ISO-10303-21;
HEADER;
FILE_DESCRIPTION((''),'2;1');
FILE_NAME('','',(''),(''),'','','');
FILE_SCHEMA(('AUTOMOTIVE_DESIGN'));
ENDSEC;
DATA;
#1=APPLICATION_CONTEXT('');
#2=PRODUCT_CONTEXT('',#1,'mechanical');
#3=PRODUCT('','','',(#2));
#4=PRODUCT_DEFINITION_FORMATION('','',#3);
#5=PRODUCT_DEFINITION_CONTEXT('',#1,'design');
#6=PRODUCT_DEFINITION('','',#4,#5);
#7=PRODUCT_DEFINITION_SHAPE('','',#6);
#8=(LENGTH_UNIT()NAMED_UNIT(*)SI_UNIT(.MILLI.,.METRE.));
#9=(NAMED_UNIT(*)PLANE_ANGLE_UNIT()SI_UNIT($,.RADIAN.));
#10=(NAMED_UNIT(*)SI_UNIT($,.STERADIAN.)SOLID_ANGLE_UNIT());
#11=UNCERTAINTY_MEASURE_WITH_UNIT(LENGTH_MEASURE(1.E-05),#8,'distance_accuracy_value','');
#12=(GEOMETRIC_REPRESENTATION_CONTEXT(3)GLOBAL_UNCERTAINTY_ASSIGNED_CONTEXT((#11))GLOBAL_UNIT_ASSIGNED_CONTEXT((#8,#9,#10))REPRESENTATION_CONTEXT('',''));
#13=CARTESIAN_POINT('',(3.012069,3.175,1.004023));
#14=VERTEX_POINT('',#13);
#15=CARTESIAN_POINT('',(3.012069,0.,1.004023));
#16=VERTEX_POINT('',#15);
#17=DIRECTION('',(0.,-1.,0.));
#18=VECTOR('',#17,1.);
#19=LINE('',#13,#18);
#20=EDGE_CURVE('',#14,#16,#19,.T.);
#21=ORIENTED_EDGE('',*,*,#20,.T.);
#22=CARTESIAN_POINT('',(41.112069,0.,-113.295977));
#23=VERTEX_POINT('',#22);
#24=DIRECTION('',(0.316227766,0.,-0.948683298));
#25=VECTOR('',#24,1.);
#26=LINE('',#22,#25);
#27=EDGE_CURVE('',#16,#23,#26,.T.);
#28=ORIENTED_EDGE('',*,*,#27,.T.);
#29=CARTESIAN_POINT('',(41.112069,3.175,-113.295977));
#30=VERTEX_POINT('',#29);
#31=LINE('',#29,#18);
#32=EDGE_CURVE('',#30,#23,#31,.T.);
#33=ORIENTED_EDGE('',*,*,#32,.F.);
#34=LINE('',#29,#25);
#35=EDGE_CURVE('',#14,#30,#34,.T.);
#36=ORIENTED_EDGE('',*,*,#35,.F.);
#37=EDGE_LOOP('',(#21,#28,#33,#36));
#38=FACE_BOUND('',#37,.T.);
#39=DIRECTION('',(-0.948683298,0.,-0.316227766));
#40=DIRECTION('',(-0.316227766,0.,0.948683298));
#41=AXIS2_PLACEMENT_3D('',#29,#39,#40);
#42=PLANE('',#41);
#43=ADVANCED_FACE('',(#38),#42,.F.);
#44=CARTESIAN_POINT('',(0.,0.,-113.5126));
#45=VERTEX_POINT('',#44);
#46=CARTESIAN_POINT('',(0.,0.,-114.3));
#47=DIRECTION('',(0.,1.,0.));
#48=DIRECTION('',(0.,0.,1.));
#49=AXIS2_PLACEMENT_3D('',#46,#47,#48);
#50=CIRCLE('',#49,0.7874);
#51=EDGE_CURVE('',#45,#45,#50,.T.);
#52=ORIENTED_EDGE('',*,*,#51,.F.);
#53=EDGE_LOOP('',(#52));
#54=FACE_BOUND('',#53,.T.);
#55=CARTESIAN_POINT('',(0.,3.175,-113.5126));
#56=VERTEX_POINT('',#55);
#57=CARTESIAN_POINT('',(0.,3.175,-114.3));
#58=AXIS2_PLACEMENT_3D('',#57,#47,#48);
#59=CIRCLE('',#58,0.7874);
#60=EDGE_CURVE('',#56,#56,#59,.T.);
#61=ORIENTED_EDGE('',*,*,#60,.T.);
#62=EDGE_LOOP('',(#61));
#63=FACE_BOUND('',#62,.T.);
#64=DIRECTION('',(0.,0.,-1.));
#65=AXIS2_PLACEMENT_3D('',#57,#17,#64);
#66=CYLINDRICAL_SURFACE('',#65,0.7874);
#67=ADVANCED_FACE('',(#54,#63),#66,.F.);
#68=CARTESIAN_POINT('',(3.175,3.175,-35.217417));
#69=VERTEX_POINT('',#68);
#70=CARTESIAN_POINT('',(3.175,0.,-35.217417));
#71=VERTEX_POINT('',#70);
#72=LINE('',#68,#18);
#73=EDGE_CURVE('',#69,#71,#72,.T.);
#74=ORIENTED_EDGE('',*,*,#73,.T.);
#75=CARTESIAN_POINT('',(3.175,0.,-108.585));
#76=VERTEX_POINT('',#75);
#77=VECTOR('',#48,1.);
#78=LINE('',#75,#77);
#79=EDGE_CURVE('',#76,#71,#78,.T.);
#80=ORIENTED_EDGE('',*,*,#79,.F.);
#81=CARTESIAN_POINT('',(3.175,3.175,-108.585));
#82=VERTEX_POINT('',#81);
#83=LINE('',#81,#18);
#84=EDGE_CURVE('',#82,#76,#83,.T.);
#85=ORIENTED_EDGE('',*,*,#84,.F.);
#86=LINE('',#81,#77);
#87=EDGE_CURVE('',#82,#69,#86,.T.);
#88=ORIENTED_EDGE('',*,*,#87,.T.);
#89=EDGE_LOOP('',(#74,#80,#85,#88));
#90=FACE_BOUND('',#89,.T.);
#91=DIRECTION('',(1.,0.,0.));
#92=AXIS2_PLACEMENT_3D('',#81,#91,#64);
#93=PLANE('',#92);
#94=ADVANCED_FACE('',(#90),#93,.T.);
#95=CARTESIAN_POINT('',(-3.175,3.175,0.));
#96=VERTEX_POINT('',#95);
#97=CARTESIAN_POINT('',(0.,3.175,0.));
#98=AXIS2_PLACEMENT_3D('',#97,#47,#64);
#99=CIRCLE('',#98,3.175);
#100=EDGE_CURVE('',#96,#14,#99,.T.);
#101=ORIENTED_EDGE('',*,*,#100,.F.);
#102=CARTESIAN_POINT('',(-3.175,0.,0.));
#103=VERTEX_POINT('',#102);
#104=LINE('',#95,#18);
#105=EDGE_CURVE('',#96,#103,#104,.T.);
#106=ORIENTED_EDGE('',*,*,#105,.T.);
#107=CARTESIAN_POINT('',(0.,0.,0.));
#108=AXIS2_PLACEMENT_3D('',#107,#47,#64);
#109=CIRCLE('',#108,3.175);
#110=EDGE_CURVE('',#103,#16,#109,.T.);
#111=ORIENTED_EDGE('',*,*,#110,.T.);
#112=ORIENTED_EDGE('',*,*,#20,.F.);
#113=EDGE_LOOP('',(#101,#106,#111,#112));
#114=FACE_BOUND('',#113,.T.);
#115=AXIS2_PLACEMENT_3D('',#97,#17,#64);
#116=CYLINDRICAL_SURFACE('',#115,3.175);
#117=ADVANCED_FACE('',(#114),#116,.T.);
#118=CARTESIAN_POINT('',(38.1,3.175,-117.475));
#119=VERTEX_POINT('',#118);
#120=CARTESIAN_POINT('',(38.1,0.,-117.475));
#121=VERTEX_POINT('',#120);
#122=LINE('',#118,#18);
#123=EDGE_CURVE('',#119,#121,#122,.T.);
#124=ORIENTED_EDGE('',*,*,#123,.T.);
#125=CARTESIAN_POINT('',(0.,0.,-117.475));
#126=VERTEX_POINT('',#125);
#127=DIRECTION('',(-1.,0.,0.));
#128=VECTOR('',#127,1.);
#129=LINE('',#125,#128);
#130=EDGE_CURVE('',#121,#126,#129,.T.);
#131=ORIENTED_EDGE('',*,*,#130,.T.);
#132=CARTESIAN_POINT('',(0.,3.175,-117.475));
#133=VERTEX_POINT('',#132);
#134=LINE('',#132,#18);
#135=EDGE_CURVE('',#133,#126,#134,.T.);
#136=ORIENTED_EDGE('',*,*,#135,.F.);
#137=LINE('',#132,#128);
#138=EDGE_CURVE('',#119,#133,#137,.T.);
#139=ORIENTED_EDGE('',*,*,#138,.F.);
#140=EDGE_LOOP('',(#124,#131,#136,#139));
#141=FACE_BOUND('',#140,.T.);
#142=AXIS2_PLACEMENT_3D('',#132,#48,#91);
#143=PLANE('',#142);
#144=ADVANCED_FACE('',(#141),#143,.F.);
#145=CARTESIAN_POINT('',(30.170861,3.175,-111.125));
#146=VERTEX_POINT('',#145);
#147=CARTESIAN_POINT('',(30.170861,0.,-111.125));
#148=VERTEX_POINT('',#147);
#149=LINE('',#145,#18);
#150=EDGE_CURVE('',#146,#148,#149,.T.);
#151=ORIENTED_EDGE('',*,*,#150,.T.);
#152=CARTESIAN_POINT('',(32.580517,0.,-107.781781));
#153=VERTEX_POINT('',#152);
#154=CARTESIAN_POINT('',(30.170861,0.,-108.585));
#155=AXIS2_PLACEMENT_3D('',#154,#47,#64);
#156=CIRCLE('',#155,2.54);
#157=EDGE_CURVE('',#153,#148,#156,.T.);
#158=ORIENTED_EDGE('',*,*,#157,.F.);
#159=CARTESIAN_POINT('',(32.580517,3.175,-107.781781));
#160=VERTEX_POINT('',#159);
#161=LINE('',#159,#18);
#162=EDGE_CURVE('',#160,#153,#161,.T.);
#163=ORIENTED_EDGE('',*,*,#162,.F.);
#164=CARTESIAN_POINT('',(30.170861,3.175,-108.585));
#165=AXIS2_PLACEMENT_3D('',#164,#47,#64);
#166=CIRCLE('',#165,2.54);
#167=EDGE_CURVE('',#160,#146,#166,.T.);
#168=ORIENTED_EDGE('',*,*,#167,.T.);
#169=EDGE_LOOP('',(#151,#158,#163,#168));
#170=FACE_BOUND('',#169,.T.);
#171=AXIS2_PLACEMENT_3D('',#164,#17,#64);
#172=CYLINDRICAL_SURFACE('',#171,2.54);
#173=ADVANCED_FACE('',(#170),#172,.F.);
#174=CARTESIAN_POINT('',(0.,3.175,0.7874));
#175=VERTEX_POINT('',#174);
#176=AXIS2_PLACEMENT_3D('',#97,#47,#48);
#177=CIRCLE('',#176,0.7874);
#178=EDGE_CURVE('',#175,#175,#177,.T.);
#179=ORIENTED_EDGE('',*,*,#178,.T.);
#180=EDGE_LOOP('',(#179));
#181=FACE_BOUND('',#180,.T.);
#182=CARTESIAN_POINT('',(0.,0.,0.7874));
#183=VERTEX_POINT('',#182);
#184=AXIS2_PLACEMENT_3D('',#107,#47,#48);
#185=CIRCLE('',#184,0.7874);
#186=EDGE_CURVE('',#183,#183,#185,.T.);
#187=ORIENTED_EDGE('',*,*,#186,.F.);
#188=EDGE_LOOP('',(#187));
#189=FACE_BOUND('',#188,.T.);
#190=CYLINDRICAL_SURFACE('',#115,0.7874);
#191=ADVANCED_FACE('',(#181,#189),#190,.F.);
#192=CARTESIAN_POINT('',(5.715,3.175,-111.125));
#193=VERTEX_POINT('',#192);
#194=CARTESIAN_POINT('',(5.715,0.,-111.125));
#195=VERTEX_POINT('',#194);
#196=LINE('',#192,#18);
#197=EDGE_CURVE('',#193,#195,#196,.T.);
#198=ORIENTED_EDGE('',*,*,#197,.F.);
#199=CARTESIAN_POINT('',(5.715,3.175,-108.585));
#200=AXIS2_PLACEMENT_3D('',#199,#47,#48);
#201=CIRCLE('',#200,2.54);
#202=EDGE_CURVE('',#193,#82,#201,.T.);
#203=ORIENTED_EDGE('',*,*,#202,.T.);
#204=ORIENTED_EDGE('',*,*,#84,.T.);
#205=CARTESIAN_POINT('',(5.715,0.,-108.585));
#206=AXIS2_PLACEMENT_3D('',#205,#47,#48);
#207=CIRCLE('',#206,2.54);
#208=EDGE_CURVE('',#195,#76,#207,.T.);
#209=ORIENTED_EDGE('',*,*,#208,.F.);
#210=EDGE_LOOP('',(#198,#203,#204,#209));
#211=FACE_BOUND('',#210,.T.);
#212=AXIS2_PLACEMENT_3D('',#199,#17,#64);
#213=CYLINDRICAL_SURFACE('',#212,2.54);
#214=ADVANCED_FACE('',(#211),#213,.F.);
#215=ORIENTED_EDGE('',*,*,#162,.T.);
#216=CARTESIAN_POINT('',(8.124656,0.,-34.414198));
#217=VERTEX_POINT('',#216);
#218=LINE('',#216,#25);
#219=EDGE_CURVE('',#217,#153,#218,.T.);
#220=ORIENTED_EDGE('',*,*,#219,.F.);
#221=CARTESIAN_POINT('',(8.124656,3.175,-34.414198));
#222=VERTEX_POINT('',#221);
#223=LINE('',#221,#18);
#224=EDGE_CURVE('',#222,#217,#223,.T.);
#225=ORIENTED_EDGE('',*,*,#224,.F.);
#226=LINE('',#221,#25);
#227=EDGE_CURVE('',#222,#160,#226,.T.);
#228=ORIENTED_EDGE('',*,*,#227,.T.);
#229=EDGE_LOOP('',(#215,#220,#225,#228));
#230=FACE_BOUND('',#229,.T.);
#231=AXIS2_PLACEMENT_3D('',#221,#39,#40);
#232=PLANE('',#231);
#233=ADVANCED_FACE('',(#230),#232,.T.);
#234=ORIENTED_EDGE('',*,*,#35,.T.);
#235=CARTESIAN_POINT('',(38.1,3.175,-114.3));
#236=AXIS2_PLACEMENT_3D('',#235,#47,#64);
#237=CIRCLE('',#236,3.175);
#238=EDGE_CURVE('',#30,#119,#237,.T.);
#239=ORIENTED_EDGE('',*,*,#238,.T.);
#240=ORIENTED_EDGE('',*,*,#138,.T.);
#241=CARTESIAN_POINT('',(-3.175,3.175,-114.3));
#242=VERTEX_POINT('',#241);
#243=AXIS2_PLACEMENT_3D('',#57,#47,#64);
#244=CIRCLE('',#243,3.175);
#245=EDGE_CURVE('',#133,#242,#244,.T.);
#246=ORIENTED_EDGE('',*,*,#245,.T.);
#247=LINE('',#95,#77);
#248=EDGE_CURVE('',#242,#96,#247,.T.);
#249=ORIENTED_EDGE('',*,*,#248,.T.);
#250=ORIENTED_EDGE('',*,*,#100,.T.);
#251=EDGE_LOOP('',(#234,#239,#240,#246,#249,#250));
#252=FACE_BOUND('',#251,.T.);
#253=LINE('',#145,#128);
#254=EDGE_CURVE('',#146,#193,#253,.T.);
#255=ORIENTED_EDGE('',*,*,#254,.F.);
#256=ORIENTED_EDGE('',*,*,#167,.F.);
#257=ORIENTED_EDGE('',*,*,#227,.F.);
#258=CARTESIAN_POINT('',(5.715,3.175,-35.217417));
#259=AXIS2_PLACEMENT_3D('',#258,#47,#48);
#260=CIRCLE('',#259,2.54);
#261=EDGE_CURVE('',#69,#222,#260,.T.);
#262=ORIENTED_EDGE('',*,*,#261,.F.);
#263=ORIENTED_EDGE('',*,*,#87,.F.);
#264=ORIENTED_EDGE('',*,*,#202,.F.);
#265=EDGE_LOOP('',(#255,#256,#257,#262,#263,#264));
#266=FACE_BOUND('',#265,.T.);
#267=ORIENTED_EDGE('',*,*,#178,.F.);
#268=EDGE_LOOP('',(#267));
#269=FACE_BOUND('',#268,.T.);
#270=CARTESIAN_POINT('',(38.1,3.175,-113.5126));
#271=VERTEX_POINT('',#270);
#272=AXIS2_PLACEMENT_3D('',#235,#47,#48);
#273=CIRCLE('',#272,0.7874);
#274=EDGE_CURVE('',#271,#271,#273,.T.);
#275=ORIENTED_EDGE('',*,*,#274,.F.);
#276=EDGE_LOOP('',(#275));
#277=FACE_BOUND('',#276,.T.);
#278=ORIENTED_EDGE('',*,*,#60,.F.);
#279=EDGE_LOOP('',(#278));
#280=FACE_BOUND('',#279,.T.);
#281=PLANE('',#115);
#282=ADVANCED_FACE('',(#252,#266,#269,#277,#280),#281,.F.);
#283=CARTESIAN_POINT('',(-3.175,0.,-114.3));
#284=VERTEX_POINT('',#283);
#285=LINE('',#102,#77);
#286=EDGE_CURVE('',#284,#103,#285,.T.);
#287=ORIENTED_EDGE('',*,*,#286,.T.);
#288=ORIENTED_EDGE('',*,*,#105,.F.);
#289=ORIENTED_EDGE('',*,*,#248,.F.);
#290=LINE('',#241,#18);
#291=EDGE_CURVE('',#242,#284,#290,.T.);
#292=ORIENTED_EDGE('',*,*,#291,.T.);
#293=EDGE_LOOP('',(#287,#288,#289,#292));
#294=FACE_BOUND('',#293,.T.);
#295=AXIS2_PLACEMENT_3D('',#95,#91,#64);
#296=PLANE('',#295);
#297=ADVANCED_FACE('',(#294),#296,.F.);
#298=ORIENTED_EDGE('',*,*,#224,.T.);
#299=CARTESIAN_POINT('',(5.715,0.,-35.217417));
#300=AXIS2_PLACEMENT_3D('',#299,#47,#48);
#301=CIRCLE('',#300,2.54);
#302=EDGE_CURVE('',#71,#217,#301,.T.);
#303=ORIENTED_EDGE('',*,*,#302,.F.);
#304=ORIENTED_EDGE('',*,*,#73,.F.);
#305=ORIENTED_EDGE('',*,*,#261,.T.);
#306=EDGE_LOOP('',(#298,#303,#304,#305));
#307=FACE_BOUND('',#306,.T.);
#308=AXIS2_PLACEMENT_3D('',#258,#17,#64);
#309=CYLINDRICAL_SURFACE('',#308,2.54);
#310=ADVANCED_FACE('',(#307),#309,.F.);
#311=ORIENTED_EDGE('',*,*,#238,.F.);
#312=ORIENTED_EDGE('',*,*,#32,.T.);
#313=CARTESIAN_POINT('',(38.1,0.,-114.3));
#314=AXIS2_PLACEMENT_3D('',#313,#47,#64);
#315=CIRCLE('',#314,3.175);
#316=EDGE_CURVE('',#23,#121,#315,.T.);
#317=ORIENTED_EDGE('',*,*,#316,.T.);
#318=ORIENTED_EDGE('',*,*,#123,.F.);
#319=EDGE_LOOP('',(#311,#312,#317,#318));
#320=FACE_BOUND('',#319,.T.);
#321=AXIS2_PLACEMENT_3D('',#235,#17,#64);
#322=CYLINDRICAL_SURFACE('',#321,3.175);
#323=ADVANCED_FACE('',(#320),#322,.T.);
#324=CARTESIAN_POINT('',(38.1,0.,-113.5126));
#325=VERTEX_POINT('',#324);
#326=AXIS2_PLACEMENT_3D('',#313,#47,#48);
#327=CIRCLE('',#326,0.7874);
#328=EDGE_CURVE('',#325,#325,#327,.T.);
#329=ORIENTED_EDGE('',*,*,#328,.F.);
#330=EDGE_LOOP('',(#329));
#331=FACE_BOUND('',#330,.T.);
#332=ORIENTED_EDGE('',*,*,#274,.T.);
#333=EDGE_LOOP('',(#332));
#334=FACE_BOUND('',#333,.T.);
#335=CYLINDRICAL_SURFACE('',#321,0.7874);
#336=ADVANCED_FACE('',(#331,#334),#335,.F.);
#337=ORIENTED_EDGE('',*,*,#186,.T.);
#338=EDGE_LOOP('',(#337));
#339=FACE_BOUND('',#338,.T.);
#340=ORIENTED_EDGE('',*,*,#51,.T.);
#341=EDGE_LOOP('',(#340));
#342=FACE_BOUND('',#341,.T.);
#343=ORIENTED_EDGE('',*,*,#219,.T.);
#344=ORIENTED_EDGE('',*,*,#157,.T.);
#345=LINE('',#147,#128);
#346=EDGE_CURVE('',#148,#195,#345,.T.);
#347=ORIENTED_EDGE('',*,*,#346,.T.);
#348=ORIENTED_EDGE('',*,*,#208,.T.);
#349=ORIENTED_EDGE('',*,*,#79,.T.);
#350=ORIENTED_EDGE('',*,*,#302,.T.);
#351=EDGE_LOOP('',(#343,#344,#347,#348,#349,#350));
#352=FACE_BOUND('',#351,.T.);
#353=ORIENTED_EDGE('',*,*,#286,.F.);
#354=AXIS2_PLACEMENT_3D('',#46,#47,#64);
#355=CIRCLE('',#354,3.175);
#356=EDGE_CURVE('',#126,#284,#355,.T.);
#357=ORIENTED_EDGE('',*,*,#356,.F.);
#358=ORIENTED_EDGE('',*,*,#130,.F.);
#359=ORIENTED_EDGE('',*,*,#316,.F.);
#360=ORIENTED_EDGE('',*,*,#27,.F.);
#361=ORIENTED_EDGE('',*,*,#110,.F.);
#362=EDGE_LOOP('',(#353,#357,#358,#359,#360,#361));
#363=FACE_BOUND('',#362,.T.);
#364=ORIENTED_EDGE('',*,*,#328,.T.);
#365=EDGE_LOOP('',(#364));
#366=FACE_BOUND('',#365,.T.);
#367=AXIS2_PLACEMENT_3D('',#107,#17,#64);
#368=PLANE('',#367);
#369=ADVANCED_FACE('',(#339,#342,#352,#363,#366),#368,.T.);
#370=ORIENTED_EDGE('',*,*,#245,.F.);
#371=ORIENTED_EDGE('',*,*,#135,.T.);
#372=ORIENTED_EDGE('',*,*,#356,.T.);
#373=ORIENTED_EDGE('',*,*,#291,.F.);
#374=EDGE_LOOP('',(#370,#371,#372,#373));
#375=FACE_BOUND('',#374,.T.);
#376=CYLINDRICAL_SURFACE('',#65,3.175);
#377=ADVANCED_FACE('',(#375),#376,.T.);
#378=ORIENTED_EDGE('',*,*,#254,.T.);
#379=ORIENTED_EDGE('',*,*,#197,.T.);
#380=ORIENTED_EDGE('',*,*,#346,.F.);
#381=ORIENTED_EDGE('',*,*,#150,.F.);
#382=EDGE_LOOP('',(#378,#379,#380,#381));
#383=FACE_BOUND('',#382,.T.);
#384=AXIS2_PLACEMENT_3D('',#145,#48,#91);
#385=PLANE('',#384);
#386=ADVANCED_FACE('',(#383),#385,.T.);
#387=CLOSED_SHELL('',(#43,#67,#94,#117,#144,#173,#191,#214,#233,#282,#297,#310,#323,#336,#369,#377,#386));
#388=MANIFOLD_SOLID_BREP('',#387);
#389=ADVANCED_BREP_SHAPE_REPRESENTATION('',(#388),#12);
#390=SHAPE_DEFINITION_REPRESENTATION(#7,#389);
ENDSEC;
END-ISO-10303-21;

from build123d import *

# Parameters (mm, degrees)
SKETCH1_R           = 0.7874
BOSS_EXTRUDE1_DEPTH = 3.175


with BuildPart() as part:
    # Sketch1 → Boss-Extrude1 (new body)
    with BuildSketch(Plane(origin=(0, 0, 0), x_dir=(1, 0, 0), z_dir=(0, 1, 0))):
        with BuildLine():
            Line((-3.175, 0), (-3.175, 114.3))
            ThreePointArc((-3.175, 114.3), (-2.24506403, 116.54506403), (0, 117.475))
            Line((0, 117.475), (38.1, 117.475))
            ThreePointArc((38.1, 117.475), (40.675693938, 116.156455154), (41.112069471, 113.295976843))
            Line((41.112069471, 113.295976843), (3.012069471, -1.004023157))
            ThreePointArc((3.012069471, -1.004023157), (-0.508578622, -3.134002678), (-3.175, 0))
        make_face()
        with Locations(Location((0, 0, 0), (0, 0, 270))):
            Circle(SKETCH1_R, mode=Mode.SUBTRACT)
        with Locations(Location((0, 114.3, 0), (0, 0, 270))):
            Circle(SKETCH1_R, mode=Mode.SUBTRACT)
        with Locations(Location((38.1, 114.3, 0), (0, 0, 270))):
            Circle(SKETCH1_R, mode=Mode.SUBTRACT)
        with BuildLine():
            Line((3.175, 108.585), (3.175, 35.217416828))
            ThreePointArc((3.175, 35.217416828), (5.308137103, 32.710214685), (8.124655577, 34.414198302))
            Line((8.124655577, 34.414198302), (32.580516634, 107.781781474))
            ThreePointArc((32.580516634, 107.781781474), (32.231416208, 110.070164123), (30.170861057, 111.125))
            Line((30.170861057, 111.125), (5.715, 111.125))
            ThreePointArc((5.715, 111.125), (3.918948776, 110.381051224), (3.175, 108.585))
        make_face(mode=Mode.SUBTRACT)
    extrude(amount=BOSS_EXTRUDE1_DEPTH)


solid = part.part
